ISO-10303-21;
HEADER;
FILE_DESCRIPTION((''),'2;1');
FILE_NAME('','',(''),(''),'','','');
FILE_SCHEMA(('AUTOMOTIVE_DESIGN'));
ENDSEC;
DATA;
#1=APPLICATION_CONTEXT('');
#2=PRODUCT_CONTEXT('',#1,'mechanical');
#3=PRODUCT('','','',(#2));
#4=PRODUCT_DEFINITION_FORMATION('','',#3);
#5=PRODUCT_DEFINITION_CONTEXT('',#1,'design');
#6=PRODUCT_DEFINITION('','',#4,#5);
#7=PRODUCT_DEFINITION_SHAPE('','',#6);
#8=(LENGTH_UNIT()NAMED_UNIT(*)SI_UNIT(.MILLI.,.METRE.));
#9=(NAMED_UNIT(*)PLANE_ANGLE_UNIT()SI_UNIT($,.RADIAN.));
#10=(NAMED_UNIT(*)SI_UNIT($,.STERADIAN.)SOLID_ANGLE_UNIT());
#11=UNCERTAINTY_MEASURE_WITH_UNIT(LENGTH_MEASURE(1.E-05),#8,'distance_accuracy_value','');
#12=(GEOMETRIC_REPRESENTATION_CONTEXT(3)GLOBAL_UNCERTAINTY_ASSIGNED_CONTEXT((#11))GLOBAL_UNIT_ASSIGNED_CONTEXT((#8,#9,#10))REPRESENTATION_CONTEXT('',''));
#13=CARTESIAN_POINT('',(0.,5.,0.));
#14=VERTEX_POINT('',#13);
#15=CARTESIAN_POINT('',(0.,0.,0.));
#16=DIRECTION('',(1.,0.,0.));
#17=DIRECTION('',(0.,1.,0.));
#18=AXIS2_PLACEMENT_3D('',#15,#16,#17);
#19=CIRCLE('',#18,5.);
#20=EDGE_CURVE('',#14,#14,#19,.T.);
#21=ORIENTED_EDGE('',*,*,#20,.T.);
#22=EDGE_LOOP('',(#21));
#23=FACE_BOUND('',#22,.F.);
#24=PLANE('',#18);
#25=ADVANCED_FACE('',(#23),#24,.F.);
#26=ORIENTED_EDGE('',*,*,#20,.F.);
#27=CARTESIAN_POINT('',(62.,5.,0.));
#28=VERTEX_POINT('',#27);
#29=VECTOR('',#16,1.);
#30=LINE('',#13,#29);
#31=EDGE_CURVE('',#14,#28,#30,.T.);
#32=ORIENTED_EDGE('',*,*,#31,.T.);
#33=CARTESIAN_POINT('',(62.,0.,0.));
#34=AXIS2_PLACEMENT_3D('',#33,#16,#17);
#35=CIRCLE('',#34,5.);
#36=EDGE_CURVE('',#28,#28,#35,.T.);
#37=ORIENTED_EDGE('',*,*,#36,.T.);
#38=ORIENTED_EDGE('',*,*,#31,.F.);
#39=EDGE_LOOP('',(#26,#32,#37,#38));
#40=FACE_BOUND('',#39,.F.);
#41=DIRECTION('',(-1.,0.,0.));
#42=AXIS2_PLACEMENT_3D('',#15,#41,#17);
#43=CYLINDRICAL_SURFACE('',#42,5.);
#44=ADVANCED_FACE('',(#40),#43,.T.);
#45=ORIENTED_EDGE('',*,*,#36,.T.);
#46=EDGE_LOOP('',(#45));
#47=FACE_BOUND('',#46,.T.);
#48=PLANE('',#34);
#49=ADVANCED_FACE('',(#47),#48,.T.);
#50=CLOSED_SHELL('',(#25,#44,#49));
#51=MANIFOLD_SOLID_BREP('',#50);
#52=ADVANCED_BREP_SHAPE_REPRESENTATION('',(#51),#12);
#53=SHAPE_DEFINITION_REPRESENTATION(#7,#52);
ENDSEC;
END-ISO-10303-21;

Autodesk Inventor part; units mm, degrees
ref_plane "YZ Plane" through (0, 0, 0) normal (1, 0, 0) x (0, 1, 0)
ref_plane "XZ Plane" through (0, 0, 0) normal (0, 1, 0) x (-1, 0, 0)
ref_plane "XY Plane" through (0, 0, 0) normal (0, 0, 1) x (1, 0, 0)
sketch "スケッチ1" plane through (0, 0, 0) normal (1, 0, 0) x (0, 1, 0)
  circle A0 centre (0, 0) radius 5
  dimension "d0" = 10
extrude "押し出し1" add sketch "スケッチ1" along normal blind 62
properties part number "hand-grab-v5-shaft-2" material "アルミニウム 6061"
